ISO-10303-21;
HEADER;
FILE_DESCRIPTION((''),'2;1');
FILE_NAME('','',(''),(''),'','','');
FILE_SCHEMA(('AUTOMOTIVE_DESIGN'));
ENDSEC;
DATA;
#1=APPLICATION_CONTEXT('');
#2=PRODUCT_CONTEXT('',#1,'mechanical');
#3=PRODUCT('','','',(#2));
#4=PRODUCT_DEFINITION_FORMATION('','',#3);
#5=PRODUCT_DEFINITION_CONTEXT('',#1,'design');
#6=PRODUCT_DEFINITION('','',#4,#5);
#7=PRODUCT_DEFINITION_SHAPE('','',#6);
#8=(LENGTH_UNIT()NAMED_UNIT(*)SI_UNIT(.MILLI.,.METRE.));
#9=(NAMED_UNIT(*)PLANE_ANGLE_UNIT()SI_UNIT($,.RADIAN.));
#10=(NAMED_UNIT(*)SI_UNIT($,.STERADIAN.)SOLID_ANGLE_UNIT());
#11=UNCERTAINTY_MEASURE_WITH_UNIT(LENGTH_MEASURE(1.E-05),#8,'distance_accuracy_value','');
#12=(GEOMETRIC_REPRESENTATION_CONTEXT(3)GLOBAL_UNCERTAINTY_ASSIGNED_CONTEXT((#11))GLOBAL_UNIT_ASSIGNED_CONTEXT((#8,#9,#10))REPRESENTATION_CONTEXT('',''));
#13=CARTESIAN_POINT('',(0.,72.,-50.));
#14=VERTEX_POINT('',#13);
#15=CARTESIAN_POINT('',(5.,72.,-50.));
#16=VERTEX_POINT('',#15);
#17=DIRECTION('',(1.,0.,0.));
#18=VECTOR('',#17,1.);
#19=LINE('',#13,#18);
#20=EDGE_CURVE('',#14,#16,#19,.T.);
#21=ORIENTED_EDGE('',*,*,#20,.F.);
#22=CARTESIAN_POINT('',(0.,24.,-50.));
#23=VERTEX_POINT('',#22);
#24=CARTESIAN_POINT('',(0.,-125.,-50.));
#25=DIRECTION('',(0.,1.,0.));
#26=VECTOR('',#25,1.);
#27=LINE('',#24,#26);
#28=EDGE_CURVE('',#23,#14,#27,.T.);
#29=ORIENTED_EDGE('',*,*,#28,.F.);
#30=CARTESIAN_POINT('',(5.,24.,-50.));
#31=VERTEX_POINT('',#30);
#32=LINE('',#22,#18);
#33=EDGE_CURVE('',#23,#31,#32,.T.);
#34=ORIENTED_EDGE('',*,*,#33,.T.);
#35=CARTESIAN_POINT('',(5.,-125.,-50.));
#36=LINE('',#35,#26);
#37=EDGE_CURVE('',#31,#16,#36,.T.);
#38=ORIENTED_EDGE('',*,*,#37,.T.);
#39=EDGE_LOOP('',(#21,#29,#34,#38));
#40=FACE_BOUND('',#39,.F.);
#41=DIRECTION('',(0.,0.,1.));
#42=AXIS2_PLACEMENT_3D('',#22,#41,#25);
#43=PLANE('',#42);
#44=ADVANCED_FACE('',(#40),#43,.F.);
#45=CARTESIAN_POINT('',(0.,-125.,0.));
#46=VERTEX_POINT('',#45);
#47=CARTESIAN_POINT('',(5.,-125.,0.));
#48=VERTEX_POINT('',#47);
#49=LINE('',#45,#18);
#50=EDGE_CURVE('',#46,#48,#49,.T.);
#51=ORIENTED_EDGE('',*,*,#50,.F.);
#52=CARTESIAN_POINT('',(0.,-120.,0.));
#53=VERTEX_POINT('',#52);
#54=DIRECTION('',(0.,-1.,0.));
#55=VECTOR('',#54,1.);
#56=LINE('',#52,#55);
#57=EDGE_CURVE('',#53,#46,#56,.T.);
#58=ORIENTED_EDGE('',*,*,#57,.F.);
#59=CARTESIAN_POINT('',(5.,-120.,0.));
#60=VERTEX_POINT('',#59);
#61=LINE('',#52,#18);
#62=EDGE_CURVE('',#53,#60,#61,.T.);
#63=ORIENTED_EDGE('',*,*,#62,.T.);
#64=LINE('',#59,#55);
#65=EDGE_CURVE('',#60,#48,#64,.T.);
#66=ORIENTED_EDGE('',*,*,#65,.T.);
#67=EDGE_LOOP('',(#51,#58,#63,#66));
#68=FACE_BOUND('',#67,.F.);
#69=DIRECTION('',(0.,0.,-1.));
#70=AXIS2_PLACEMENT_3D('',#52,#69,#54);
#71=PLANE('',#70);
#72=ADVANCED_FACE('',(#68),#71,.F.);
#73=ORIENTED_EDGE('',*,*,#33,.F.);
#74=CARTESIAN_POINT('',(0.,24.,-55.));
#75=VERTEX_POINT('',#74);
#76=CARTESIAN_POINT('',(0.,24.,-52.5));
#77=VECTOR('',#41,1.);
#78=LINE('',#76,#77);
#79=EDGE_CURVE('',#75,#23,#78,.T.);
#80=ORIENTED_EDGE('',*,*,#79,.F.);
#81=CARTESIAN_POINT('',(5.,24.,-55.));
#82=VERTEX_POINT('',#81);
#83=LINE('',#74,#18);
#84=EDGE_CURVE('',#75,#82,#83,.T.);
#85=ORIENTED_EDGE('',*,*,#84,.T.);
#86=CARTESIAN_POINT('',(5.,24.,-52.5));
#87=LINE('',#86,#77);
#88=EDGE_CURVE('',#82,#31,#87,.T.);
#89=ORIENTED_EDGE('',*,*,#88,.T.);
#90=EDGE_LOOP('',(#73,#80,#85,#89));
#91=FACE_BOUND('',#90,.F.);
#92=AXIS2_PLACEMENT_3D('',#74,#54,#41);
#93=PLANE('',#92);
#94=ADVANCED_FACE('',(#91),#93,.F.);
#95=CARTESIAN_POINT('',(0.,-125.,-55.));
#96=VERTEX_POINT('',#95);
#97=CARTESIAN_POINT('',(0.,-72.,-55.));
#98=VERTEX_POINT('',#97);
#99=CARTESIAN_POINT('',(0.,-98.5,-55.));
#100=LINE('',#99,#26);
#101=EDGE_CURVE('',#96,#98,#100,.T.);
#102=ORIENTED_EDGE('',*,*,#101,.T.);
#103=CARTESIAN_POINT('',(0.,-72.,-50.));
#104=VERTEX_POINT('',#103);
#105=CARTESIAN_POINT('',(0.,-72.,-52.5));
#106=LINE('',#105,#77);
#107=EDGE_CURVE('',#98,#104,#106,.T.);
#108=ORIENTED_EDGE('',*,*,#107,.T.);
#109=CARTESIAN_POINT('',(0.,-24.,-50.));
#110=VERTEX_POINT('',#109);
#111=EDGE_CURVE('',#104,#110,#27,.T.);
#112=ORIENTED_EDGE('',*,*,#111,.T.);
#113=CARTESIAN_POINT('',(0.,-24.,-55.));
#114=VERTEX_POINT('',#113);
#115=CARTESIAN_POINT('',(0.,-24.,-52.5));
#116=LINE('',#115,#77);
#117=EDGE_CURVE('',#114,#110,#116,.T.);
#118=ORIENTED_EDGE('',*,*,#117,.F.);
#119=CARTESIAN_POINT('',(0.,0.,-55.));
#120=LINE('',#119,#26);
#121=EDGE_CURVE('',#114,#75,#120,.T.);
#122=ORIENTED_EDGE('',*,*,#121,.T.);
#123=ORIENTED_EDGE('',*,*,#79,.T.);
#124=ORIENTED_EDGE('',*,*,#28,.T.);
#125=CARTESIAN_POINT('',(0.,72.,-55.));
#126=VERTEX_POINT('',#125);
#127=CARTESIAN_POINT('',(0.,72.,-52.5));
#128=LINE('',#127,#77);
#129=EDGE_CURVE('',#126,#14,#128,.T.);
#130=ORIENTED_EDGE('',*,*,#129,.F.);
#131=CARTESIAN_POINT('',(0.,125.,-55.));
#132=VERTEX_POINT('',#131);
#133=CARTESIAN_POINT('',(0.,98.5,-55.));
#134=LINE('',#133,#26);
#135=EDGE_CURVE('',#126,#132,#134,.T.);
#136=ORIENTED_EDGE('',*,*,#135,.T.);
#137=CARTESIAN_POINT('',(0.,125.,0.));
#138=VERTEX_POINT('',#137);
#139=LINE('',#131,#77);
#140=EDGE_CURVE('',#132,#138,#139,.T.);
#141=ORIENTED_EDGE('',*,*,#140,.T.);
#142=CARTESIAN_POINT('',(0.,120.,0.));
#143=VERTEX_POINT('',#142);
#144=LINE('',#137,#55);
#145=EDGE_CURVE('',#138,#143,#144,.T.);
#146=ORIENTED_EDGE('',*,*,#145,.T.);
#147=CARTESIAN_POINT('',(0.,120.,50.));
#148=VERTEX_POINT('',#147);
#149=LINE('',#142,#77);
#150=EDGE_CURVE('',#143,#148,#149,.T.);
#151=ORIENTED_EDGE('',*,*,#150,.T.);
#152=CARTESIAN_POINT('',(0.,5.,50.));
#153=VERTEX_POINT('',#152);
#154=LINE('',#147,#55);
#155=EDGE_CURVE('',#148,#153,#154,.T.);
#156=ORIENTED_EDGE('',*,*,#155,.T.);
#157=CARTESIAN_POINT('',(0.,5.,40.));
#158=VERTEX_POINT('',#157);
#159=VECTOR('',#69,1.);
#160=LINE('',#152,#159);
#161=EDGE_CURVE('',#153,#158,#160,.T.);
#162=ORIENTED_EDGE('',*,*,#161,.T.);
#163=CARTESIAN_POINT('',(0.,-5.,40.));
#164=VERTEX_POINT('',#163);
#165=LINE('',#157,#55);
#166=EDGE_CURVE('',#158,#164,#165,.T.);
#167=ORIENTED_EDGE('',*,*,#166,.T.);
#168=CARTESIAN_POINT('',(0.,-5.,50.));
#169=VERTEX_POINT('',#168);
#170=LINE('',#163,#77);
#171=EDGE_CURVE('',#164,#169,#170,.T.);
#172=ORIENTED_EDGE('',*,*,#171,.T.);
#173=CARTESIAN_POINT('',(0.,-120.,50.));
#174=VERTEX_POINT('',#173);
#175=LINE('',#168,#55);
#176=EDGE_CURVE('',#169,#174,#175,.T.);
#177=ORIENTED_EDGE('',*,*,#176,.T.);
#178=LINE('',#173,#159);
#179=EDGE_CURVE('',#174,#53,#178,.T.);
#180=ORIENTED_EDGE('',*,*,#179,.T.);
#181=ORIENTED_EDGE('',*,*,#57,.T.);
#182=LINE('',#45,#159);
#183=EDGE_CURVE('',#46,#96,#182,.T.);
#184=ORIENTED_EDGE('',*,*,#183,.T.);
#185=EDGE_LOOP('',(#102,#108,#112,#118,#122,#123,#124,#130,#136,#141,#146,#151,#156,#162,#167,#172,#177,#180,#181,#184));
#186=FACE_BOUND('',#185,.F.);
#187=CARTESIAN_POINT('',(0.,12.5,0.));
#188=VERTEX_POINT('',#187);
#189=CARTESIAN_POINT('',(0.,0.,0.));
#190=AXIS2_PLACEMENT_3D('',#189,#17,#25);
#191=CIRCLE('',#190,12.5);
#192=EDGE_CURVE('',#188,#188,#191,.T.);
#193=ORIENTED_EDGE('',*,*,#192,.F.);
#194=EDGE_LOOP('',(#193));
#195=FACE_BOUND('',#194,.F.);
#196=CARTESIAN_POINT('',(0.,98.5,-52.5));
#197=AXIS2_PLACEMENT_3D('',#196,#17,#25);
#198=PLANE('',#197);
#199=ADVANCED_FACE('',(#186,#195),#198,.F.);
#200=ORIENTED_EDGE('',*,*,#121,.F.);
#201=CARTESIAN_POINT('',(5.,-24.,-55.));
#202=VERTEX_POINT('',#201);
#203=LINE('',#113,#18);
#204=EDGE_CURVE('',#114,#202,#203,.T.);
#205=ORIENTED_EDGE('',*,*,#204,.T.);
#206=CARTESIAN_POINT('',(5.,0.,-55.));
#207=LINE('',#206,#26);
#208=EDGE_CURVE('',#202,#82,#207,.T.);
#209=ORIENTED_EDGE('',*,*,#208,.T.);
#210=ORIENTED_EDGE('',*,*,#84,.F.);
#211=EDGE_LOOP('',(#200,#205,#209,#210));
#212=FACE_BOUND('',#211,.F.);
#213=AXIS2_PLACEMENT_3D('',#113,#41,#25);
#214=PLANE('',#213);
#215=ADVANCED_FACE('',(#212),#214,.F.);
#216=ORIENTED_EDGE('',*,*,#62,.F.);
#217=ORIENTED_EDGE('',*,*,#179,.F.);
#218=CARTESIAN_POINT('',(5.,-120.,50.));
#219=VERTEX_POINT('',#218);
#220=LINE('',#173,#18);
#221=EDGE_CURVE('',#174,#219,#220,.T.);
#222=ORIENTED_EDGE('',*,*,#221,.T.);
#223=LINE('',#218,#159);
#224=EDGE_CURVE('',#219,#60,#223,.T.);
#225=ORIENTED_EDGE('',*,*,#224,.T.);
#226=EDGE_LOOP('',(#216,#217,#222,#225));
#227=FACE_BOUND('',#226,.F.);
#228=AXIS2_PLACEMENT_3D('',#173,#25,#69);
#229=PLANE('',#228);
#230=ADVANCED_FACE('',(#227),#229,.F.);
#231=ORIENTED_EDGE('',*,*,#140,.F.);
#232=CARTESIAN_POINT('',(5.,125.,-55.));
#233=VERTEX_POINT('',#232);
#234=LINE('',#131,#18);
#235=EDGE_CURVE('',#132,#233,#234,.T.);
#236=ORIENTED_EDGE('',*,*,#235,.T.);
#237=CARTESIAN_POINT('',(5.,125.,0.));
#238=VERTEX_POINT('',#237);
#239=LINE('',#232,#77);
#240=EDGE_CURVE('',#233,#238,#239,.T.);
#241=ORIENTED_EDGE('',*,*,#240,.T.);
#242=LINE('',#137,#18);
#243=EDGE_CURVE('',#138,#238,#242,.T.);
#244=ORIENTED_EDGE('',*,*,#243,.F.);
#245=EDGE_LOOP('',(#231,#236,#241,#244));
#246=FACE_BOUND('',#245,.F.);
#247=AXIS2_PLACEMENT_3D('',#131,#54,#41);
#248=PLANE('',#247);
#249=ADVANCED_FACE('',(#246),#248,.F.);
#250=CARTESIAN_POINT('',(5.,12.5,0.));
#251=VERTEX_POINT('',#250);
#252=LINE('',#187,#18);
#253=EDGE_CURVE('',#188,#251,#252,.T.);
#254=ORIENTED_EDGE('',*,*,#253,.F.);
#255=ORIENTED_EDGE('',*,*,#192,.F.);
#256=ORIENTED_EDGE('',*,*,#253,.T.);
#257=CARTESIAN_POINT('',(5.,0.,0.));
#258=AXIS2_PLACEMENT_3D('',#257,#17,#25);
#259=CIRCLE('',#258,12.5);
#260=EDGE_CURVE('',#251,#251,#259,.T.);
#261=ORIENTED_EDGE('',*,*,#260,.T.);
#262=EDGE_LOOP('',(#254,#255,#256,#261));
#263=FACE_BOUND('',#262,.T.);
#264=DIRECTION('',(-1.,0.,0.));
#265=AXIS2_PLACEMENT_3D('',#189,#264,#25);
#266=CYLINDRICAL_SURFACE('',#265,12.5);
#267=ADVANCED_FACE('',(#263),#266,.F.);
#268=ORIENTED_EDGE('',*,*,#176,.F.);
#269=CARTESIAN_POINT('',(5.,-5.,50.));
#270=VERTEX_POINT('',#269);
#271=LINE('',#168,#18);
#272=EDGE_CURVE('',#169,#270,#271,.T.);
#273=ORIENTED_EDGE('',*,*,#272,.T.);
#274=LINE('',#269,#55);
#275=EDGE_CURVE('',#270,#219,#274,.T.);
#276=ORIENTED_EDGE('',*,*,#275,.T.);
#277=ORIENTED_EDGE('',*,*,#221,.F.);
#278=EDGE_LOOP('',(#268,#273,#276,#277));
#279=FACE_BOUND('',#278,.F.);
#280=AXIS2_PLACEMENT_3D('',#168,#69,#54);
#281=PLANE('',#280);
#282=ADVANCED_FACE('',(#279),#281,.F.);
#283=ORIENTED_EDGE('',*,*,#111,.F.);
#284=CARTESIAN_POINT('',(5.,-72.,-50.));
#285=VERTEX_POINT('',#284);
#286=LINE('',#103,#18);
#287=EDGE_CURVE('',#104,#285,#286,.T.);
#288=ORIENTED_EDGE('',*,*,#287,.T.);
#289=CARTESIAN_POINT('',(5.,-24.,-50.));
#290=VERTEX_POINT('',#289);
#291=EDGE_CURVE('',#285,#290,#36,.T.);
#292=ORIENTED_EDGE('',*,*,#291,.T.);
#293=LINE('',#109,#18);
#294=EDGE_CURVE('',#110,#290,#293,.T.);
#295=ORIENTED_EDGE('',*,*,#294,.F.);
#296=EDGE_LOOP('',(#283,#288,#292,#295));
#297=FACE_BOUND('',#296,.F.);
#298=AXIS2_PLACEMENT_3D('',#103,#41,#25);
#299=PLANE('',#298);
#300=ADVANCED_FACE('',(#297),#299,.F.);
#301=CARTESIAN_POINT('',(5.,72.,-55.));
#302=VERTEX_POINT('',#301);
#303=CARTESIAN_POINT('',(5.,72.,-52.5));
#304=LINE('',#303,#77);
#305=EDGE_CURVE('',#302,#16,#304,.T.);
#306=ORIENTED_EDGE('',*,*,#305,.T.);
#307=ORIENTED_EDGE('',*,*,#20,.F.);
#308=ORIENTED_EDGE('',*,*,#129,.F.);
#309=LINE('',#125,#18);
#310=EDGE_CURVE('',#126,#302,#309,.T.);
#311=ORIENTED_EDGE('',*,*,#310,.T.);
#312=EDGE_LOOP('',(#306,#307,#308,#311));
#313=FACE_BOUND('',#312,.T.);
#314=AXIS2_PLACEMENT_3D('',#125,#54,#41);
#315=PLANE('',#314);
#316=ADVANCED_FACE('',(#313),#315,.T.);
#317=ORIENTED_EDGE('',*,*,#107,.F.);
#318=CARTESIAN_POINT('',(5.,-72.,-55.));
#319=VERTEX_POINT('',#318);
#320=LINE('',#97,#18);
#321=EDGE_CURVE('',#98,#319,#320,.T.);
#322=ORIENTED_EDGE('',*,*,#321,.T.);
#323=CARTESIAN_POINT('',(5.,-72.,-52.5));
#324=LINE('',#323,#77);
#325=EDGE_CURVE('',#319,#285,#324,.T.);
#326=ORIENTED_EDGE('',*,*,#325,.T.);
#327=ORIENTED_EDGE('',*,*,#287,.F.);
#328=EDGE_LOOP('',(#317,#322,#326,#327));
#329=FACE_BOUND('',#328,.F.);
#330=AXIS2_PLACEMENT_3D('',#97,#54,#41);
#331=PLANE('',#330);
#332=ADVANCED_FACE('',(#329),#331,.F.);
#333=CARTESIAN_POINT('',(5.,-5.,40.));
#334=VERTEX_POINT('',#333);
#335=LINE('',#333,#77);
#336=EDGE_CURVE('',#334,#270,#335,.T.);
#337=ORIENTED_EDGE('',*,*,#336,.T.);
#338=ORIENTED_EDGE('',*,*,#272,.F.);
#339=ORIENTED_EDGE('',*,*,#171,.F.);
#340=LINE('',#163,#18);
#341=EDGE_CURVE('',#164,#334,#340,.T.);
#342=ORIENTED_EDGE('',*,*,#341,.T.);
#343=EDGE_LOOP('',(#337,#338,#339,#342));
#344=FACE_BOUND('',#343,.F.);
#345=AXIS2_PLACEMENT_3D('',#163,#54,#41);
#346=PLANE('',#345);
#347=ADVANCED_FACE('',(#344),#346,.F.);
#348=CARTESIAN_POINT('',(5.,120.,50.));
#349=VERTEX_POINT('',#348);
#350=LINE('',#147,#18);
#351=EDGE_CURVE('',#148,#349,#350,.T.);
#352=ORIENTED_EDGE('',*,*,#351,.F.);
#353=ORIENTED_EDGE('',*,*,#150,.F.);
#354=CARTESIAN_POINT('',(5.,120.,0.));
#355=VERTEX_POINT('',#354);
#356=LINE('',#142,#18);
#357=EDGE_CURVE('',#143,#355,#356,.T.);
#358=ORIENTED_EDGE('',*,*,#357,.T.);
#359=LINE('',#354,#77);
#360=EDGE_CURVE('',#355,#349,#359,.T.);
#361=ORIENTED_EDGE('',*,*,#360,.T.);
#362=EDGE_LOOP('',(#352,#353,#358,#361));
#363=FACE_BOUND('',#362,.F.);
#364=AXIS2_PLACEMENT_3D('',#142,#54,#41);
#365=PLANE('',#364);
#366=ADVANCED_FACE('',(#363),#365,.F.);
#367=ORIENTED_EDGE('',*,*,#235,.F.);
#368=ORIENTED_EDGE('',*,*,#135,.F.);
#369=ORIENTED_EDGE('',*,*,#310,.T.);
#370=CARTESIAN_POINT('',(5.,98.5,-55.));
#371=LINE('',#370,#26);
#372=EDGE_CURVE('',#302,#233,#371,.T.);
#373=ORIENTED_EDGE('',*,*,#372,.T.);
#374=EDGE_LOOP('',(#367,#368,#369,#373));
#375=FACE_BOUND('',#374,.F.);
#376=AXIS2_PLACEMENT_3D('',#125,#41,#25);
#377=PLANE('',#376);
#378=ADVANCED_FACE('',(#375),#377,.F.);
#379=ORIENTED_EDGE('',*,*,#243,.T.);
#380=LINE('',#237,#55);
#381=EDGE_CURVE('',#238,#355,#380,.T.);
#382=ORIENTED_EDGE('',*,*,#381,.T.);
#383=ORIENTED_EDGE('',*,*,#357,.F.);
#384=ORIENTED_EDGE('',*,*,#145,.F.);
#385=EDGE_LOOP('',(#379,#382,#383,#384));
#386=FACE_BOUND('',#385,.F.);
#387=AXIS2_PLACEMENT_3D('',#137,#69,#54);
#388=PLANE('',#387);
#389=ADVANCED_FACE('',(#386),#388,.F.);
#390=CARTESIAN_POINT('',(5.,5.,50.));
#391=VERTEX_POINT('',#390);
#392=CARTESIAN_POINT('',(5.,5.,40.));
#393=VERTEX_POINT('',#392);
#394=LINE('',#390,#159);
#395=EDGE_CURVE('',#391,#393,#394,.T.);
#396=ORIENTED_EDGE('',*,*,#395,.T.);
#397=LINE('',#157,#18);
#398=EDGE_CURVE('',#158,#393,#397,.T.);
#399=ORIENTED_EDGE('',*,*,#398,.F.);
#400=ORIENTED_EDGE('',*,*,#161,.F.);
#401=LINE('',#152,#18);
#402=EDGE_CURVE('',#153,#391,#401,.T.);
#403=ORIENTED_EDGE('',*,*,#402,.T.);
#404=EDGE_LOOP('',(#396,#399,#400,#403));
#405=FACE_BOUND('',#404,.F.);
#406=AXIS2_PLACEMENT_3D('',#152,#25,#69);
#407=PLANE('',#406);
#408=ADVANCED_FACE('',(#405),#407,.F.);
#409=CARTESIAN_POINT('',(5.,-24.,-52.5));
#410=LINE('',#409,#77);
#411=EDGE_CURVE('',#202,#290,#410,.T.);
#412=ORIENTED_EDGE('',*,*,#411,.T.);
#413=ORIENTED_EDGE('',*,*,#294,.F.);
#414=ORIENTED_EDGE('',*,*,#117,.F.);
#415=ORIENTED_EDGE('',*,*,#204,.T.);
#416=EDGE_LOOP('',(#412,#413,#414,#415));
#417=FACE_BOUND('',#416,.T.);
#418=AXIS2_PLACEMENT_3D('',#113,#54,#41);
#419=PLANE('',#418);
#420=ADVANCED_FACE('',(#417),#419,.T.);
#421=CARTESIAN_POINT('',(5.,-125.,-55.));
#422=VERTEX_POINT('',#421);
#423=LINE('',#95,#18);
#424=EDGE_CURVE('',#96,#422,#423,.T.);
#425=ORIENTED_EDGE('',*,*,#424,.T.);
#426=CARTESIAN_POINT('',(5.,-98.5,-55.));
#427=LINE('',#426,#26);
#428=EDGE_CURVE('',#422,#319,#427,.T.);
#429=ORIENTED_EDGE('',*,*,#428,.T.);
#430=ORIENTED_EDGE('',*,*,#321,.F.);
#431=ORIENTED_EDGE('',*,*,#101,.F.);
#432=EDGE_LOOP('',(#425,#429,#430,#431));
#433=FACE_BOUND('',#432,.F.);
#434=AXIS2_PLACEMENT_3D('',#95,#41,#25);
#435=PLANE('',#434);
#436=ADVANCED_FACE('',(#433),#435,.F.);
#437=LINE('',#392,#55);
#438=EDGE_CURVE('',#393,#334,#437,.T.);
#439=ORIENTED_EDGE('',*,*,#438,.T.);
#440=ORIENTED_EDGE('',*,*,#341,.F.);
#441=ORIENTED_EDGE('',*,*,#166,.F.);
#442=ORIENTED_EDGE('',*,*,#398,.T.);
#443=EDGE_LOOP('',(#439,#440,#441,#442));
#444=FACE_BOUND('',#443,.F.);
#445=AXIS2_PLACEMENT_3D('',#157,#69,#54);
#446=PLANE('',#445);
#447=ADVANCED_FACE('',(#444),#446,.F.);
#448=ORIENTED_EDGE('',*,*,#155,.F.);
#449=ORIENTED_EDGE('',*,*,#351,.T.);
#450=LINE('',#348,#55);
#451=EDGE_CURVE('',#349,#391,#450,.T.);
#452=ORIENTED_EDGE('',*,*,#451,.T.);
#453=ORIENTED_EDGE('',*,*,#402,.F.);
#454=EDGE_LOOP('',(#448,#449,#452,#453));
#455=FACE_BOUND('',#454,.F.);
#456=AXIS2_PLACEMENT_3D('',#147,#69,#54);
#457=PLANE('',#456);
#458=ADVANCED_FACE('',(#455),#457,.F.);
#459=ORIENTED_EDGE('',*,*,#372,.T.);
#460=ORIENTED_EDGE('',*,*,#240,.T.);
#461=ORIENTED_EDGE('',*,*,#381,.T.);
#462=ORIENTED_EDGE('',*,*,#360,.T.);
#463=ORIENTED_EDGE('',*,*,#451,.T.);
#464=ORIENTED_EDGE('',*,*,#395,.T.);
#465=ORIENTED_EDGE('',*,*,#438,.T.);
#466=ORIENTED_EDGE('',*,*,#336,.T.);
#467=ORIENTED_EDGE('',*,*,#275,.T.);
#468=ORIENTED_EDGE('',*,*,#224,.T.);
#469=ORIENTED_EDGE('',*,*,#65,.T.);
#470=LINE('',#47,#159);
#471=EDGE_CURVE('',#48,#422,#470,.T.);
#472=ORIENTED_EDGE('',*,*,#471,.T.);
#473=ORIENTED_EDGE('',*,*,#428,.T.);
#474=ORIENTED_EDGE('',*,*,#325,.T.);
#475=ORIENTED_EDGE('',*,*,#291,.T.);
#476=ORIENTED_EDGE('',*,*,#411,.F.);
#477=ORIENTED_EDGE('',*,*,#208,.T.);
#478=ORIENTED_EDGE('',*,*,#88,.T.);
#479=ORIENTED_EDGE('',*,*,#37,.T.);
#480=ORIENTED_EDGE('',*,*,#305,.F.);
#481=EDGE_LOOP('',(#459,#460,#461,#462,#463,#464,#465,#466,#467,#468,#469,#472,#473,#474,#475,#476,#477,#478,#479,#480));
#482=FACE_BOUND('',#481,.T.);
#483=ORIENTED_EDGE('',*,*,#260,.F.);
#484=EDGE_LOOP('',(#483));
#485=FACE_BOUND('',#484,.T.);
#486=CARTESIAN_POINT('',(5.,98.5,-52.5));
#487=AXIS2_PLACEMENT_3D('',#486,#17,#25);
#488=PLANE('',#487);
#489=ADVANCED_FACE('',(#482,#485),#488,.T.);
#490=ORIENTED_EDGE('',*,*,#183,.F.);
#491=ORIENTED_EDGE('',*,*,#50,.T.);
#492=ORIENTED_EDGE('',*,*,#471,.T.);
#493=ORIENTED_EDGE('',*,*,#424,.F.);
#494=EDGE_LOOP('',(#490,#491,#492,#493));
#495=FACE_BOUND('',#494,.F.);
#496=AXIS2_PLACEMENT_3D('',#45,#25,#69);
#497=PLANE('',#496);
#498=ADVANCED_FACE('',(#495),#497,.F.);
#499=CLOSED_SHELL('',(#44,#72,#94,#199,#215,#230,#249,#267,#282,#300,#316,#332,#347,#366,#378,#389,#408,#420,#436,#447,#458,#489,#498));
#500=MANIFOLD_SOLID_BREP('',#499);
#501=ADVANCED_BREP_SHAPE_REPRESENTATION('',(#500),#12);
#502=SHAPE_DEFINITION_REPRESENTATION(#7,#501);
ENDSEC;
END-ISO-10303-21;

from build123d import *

# Parameters (mm, degrees)
F0_W     = 53
F0_H     = 5
F0_R     = 12.5
F0_W_2   = 48
F1_DEPTH = 5


with BuildPart() as f1:
    # F0 (on Right) → F1 (new body)
    with BuildSketch(Plane.YZ):
        with Locations((98.5, -52.5)):
            Rectangle(F0_W, F0_H)
        Polygon((72, -50), (125, -50), (125, 0), (120, 0), (120, 50), (5, 50), (5, 40), (0, 40), (-5, 40), (-5, 50), (-120, 50), (-120, 0), (-125, 0), (-125, -50), (-72, -50), (-24, -50), (24, -50), align=None)
        Circle(F0_R, mode=Mode.SUBTRACT)
        with Locations((0, -52.5)):
            Rectangle(F0_W_2, F0_H)
        with Locations((-98.5, -52.5)):
            Rectangle(F0_W, F0_H)
    extrude(amount=F1_DEPTH)


solid = f1.part
